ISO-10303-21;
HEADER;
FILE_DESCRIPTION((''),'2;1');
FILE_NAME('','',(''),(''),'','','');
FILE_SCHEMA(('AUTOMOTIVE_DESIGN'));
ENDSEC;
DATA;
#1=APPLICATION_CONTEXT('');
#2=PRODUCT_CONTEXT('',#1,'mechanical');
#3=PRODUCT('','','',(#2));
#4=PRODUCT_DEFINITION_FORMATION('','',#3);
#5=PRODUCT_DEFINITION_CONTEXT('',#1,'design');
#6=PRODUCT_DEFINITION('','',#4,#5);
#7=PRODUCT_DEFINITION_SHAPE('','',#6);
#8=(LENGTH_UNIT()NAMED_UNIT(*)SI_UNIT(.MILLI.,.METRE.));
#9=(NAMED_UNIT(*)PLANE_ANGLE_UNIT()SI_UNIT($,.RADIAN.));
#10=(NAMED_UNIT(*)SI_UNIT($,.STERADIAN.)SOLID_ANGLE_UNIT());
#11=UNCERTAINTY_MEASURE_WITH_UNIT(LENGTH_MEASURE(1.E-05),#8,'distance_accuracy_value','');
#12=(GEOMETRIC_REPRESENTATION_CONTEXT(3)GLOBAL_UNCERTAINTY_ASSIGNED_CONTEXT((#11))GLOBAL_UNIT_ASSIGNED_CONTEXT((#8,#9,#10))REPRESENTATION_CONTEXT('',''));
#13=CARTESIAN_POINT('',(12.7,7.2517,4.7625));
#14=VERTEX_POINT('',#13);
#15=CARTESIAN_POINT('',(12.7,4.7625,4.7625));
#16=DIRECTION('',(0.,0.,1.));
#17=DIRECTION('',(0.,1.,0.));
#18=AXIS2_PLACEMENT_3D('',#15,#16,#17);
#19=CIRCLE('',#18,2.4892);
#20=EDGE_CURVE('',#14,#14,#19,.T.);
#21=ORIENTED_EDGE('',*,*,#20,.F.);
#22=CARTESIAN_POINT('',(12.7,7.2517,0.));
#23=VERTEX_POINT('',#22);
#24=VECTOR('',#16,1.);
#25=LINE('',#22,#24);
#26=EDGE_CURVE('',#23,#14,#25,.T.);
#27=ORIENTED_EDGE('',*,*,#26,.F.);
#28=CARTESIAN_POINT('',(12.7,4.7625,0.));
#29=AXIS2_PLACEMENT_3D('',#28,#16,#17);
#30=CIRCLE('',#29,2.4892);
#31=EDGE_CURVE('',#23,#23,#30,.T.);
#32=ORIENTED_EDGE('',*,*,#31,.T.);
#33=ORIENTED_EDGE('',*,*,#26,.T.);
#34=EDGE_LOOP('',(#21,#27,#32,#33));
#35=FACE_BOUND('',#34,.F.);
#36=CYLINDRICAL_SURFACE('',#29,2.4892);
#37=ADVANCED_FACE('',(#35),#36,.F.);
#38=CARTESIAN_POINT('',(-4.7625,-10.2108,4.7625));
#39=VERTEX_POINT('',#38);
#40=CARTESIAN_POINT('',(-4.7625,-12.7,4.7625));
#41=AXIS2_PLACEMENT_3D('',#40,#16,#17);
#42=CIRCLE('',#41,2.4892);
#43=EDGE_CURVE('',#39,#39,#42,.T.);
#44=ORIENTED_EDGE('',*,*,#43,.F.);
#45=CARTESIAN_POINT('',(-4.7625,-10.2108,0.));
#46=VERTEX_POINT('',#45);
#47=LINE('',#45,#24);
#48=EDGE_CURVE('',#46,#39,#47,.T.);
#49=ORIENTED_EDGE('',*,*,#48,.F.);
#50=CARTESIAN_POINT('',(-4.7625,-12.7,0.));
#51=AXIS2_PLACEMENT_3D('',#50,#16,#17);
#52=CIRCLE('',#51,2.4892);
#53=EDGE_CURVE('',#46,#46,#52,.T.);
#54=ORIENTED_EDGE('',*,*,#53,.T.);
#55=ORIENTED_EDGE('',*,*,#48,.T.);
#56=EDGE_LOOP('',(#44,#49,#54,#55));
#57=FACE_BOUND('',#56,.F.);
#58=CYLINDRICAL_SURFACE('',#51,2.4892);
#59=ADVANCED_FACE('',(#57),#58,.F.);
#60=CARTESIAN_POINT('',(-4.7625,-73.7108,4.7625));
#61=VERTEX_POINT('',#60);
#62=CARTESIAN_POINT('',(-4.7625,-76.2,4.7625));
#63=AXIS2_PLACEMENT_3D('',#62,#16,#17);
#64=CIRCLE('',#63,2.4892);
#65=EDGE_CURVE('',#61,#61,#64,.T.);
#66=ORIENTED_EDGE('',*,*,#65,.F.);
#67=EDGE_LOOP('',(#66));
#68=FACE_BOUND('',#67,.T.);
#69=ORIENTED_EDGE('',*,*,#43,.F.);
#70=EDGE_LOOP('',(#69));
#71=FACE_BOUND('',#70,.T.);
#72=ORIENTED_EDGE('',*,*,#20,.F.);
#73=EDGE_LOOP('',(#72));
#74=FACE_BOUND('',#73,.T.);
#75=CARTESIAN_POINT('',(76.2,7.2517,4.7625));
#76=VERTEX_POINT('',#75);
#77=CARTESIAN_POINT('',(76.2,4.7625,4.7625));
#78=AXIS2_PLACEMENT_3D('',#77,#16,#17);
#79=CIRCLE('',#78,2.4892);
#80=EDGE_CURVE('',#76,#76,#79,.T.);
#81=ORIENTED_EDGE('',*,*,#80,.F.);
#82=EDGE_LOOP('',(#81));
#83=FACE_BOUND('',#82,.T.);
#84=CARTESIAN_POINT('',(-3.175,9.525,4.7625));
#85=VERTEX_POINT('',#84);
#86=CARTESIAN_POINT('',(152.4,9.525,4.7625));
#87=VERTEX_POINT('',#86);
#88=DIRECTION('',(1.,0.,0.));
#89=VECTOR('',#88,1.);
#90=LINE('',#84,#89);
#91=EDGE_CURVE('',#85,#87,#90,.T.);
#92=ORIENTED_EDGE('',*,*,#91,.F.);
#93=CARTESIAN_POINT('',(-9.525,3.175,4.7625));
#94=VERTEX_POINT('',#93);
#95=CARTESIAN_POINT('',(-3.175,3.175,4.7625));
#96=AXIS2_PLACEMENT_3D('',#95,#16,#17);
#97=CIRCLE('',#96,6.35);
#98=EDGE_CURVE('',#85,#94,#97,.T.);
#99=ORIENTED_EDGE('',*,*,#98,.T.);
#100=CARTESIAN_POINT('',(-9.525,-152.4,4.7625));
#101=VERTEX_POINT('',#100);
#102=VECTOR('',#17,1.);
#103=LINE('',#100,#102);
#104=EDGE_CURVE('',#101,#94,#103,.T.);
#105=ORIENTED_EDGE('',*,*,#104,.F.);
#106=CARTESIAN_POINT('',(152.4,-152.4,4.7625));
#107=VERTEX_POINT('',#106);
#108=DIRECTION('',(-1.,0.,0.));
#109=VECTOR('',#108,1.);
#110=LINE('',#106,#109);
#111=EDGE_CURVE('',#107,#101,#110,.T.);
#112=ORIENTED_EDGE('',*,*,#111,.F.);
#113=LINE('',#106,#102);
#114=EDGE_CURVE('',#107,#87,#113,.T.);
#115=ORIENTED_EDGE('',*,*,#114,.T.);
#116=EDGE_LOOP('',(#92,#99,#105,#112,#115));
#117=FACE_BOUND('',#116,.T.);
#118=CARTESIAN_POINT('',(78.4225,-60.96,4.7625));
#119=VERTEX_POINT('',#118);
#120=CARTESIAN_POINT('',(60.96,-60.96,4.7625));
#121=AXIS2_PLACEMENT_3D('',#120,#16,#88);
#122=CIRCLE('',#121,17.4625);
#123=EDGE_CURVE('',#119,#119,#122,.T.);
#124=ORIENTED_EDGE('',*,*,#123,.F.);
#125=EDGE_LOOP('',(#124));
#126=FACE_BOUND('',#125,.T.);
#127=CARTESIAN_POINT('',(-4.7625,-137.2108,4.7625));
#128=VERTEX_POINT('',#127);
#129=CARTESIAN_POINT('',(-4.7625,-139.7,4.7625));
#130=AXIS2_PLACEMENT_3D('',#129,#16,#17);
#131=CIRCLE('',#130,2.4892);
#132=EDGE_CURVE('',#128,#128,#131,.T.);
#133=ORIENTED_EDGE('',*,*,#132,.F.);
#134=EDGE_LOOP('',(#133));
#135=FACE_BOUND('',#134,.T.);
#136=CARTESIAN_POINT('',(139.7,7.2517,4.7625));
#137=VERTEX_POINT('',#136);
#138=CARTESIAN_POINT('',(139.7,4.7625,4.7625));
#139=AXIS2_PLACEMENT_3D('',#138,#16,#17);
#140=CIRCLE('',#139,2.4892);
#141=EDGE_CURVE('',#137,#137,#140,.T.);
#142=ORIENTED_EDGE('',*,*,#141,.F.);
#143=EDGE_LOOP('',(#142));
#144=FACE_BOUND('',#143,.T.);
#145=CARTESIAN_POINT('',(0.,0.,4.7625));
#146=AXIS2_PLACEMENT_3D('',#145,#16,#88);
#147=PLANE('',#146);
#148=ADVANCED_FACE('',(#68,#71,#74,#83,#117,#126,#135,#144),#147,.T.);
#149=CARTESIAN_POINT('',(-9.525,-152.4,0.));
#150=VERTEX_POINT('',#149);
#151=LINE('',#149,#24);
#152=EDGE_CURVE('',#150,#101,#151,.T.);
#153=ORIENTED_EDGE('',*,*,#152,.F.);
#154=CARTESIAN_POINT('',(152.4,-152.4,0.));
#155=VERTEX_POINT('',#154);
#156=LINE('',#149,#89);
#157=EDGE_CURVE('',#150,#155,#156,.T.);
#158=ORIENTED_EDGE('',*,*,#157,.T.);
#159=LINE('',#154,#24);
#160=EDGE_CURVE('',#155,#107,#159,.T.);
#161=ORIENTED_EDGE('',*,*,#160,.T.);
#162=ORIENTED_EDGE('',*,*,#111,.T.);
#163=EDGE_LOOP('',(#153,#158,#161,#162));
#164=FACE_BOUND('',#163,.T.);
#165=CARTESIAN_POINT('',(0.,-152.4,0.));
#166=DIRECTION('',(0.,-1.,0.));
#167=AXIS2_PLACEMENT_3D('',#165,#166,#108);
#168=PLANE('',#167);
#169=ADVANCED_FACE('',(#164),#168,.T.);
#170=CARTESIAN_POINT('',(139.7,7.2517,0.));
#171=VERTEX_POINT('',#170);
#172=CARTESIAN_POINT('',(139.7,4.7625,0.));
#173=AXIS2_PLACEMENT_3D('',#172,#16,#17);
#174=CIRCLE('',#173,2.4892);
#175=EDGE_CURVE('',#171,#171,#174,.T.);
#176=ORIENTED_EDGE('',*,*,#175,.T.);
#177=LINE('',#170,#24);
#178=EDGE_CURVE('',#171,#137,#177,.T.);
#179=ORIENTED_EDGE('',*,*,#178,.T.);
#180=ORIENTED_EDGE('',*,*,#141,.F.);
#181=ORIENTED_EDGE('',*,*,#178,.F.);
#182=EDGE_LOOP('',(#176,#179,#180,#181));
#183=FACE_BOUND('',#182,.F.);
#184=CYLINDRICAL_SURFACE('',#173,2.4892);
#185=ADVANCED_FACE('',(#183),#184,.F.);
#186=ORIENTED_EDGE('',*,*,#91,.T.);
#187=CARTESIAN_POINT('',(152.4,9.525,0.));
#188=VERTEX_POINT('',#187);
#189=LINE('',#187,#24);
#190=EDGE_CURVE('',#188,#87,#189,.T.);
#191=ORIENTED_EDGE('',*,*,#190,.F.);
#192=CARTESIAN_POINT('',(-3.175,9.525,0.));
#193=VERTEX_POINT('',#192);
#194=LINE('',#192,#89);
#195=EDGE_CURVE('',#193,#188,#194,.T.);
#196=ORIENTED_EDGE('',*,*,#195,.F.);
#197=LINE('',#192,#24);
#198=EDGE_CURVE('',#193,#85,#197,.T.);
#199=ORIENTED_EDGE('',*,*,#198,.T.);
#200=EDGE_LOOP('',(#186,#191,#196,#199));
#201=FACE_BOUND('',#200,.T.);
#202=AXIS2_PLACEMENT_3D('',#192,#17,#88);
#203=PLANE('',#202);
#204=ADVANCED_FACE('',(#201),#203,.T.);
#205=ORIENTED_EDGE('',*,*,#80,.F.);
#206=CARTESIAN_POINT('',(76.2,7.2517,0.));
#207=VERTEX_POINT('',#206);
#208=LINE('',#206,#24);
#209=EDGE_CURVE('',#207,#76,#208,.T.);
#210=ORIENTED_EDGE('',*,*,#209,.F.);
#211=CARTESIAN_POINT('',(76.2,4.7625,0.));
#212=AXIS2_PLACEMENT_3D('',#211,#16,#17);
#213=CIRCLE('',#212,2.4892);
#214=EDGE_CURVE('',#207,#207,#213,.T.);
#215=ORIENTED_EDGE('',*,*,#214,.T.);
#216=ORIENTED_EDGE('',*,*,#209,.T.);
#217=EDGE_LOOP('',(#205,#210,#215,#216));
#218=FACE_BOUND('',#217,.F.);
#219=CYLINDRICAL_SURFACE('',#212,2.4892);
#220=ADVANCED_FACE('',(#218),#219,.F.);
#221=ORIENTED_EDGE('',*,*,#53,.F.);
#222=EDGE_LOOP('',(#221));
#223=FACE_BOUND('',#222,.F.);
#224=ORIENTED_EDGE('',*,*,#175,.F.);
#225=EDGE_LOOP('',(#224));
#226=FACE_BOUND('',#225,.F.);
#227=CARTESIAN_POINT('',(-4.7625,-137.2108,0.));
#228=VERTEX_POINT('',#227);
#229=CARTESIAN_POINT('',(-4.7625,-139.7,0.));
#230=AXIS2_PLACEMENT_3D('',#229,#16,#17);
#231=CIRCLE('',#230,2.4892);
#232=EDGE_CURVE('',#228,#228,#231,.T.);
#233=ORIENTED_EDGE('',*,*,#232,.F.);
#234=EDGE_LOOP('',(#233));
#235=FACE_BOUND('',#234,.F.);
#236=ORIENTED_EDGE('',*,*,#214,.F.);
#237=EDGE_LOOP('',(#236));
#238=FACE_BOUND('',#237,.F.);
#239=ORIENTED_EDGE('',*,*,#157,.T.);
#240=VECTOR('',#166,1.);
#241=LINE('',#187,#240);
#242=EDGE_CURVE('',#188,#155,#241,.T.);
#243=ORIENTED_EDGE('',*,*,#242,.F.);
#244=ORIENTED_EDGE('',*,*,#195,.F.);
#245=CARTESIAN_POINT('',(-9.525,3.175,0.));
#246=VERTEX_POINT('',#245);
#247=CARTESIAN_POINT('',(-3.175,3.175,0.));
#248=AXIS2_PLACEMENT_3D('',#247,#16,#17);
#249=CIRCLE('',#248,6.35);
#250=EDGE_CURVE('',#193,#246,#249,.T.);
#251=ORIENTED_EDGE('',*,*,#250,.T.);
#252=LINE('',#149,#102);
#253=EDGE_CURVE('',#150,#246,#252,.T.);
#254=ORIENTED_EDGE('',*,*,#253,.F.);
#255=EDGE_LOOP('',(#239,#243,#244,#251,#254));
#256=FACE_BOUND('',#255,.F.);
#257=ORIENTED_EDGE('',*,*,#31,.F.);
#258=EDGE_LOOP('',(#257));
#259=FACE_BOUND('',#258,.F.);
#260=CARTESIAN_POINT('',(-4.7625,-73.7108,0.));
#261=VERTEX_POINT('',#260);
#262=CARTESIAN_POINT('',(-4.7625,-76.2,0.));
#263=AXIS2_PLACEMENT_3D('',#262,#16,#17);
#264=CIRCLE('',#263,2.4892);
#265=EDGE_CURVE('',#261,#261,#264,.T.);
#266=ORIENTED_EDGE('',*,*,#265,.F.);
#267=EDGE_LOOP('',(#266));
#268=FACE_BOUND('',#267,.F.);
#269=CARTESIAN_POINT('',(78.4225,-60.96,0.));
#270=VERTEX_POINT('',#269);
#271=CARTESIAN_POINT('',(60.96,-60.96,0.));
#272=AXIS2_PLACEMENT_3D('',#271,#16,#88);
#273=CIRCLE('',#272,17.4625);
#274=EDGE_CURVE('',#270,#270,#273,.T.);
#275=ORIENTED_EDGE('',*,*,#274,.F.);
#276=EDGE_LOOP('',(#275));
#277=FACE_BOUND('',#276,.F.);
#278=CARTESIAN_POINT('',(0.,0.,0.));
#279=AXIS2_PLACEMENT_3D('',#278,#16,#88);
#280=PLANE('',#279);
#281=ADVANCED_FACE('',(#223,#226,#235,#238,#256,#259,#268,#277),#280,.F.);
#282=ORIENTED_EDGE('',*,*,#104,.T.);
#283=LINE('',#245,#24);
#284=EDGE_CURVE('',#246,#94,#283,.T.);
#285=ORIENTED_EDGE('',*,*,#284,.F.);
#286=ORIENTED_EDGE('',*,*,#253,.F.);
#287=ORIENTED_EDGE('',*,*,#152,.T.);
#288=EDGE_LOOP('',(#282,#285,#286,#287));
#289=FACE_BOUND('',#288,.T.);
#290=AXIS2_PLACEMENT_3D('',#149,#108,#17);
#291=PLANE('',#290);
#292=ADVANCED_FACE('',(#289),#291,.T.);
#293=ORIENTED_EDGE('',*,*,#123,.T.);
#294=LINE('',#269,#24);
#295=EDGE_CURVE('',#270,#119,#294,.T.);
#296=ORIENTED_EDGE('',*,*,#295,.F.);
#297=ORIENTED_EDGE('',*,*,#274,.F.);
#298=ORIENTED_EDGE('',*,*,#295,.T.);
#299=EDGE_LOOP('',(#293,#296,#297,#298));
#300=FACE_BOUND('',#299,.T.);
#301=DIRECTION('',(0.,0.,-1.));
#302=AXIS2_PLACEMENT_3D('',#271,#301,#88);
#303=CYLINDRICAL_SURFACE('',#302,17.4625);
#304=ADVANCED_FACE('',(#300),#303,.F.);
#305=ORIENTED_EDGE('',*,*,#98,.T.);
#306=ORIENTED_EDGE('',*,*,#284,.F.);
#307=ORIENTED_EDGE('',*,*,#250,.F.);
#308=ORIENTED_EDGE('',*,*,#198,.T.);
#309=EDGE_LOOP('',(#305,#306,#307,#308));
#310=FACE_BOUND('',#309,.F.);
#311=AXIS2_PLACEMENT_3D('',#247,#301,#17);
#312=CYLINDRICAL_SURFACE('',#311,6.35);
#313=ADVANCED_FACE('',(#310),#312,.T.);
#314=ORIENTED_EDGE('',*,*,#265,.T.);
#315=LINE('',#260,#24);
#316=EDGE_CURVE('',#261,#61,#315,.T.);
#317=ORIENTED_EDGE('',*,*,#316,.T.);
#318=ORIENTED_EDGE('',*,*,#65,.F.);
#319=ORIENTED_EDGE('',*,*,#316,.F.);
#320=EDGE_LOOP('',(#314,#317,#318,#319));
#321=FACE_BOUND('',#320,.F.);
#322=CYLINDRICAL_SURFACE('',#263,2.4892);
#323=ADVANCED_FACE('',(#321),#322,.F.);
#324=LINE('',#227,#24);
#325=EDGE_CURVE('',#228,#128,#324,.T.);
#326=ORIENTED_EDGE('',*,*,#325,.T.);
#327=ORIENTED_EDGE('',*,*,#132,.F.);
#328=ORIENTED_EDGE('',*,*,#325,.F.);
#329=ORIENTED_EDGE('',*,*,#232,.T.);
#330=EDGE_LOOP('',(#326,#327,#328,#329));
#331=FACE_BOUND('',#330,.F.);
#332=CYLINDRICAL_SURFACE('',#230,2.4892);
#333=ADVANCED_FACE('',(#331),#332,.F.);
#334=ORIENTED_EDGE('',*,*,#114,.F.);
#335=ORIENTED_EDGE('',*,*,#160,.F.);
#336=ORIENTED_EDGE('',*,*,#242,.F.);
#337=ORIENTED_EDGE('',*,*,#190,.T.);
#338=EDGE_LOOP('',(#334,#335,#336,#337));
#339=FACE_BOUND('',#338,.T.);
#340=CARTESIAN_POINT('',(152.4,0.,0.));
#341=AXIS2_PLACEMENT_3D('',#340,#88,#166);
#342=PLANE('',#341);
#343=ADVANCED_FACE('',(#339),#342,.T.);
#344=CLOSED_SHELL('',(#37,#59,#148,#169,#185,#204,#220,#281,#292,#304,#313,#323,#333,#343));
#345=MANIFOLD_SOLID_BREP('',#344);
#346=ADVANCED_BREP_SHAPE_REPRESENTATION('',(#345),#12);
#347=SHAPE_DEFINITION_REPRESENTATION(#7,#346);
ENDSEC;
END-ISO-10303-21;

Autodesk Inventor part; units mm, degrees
ref_plane "YZ Plane" through (0, 0, 0) normal (1, 0, 0) x (0, 1, 0)
ref_plane "XZ Plane" through (0, 0, 0) normal (0, 1, 0) x (-1, 0, 0)
ref_plane "XY Plane" through (0, 0, 0) normal (0, 0, 1) x (1, 0, 0)
sketch "Sketch1" plane through (0, 0, 0) normal (0, 0, 1) x (1, 0, 0)
  line L0 (0, 0) -> (152.4, 0)
  line L1 (152.4, 0) -> (152.4, -152.4)
  line L2 (152.4, -152.4) -> (0, -152.4)
  line L3 (0, -152.4) -> (0, 0)
  line L4 (0, -152.4) -> (-50.8, -152.4) construction
  line L5 (-50.8, -152.4) -> (-50.8, 25.4) construction
  line L6 (0, 0) -> (0, -152.4)
  line L7 (-47.625, 25.4) -> (152.4, 25.4) construction
  line L8 (152.4, 25.4) -> (152.4, 0) construction
  line L9 (152.4, 0) -> (0, 0)
  line L10 (-47.625, 0) -> (-47.625, 25.4) construction
  line L11 (-50.8, -152.4) -> (-50.8, 25.4) construction
  line L12 (-50.8, 25.4) -> (-47.625, 25.4) construction
  circle A0 centre (60.96, -60.96) radius 54.61 construction
  circle A1 centre (60.96, -60.96) radius 53.34 construction
  circle A2 centre (60.96, -60.96) radius 17.4625
  line L13 (0, 0) -> (-47.625, 0) construction
  line L14 (0, -152.4) -> (-9.525, -152.4)
  line L15 (-9.525, -152.4) -> (-9.525, 3.175)
  line L16 (-3.175, 9.525) -> (152.4, 9.525)
  line L17 (152.4, 0) -> (152.4, 9.525)
  circle A3 centre (60.96, -60.96) radius 47.2059 construction
  line L18 (-4.7625, 9.525) -> (-4.7625, -152.4) construction
  line L19 (-9.525, 4.7625) -> (152.4, 4.7625) construction
  arc A4 (-3.175, 9.525) -> (-9.525, 3.175) centre (-3.175, 3.175) ccw
  point P0 (-9.525, 9.525)
  point P1 (12.7, 4.7625)
  point P2 (-4.7625, -12.7)
  point P3 (76.2, 4.7625)
  point P4 (139.7, 4.7625)
  point P5 (-4.7625, -76.2)
  point P6 (-4.7625, -139.7)
  dimension "d0" = 152.4
  dimension "d8" = 50.8
  dimension "d12" = 3.175
  dimension "d28" = 152.4
  dimension "d29" = 109.22
  dimension "d30" = 106.68
  dimension "d31" = 60.96
  dimension "d32" = 60.96
  dimension "d33" = 34.925
  dimension "d34" = 9.525
  dimension "d35" = 9.525
  dimension "d41" = 94.4118
  dimension "d42" = 25.4
  dimension "d43" = 22.225
  dimension "d44" = 22.225
  dimension "d45" = 6.35
  dimension "d48" = 63.5
  dimension "d55" = 63.5
extrude "Extrusion1" add sketch "Sketch1" along normal blind 4.7625
hole "Hole1" at (12.7, 4.7625, 0) at (-4.7625, -12.7, 0) at (76.2, 4.7625, 0) at (139.7, 4.7625, 0) at (-4.7625, -76.2, 0) at (-4.7625, -139.7, 0) direction (0, 0, 1) diameter 4.9784 end through all clearance for "Socket Head Cap Screw" size "#10" standard "Ansi Unified Screw Threads"
properties part number "Module Plate - Bottom"
